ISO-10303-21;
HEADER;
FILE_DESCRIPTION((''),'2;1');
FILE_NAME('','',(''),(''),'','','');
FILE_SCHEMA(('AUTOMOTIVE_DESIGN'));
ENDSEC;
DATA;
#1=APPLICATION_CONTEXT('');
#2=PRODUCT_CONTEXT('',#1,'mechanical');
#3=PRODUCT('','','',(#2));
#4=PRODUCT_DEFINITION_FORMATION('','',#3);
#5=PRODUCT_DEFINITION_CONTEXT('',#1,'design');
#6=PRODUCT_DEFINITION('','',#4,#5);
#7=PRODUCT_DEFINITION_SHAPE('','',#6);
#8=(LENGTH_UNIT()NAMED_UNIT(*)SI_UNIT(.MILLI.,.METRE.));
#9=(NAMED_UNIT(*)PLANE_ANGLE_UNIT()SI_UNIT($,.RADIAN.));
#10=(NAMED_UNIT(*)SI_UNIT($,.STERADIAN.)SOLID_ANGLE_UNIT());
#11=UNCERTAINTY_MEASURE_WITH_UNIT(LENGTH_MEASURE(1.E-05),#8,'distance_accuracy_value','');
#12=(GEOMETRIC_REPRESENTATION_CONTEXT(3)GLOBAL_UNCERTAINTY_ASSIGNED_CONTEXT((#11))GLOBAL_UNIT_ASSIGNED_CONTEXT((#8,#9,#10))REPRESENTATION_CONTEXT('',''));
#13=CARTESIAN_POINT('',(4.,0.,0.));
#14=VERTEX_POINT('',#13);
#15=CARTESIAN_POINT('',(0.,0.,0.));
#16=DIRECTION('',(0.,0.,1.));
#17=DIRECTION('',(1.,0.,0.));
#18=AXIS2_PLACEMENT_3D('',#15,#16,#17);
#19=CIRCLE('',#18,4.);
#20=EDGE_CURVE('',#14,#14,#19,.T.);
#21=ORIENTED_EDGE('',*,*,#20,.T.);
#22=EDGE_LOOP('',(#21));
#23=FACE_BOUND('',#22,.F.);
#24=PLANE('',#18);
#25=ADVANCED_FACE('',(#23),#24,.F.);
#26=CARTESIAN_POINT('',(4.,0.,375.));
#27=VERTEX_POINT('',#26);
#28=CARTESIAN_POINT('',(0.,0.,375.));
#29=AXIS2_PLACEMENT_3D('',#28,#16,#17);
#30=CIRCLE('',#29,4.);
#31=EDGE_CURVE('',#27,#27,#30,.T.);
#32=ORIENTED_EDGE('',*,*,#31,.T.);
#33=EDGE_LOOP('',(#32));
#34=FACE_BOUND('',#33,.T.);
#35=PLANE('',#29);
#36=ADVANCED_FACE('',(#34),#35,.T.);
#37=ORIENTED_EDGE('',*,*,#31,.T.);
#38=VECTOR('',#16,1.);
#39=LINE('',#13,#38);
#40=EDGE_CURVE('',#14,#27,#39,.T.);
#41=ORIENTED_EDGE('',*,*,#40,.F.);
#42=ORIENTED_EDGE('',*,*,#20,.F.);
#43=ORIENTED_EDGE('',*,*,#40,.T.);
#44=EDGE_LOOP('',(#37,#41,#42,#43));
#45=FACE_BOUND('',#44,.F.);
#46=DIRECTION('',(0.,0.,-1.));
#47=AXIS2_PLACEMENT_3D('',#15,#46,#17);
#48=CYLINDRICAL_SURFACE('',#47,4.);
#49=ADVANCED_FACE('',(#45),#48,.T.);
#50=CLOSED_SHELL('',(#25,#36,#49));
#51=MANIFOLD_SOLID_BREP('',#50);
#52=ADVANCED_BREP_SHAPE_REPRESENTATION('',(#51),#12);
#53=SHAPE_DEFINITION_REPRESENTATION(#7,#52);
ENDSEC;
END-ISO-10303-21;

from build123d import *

# Parameters (mm, degrees)
SKETCH_1_R      = 4
EXTRUDE_1_DEPTH = 375


with BuildPart() as part:
    # 草图1 → 凸台-拉伸1 (new body)
    with BuildSketch(Plane.XY):
        Circle(SKETCH_1_R)
    extrude(amount=EXTRUDE_1_DEPTH)


solid = part.part
